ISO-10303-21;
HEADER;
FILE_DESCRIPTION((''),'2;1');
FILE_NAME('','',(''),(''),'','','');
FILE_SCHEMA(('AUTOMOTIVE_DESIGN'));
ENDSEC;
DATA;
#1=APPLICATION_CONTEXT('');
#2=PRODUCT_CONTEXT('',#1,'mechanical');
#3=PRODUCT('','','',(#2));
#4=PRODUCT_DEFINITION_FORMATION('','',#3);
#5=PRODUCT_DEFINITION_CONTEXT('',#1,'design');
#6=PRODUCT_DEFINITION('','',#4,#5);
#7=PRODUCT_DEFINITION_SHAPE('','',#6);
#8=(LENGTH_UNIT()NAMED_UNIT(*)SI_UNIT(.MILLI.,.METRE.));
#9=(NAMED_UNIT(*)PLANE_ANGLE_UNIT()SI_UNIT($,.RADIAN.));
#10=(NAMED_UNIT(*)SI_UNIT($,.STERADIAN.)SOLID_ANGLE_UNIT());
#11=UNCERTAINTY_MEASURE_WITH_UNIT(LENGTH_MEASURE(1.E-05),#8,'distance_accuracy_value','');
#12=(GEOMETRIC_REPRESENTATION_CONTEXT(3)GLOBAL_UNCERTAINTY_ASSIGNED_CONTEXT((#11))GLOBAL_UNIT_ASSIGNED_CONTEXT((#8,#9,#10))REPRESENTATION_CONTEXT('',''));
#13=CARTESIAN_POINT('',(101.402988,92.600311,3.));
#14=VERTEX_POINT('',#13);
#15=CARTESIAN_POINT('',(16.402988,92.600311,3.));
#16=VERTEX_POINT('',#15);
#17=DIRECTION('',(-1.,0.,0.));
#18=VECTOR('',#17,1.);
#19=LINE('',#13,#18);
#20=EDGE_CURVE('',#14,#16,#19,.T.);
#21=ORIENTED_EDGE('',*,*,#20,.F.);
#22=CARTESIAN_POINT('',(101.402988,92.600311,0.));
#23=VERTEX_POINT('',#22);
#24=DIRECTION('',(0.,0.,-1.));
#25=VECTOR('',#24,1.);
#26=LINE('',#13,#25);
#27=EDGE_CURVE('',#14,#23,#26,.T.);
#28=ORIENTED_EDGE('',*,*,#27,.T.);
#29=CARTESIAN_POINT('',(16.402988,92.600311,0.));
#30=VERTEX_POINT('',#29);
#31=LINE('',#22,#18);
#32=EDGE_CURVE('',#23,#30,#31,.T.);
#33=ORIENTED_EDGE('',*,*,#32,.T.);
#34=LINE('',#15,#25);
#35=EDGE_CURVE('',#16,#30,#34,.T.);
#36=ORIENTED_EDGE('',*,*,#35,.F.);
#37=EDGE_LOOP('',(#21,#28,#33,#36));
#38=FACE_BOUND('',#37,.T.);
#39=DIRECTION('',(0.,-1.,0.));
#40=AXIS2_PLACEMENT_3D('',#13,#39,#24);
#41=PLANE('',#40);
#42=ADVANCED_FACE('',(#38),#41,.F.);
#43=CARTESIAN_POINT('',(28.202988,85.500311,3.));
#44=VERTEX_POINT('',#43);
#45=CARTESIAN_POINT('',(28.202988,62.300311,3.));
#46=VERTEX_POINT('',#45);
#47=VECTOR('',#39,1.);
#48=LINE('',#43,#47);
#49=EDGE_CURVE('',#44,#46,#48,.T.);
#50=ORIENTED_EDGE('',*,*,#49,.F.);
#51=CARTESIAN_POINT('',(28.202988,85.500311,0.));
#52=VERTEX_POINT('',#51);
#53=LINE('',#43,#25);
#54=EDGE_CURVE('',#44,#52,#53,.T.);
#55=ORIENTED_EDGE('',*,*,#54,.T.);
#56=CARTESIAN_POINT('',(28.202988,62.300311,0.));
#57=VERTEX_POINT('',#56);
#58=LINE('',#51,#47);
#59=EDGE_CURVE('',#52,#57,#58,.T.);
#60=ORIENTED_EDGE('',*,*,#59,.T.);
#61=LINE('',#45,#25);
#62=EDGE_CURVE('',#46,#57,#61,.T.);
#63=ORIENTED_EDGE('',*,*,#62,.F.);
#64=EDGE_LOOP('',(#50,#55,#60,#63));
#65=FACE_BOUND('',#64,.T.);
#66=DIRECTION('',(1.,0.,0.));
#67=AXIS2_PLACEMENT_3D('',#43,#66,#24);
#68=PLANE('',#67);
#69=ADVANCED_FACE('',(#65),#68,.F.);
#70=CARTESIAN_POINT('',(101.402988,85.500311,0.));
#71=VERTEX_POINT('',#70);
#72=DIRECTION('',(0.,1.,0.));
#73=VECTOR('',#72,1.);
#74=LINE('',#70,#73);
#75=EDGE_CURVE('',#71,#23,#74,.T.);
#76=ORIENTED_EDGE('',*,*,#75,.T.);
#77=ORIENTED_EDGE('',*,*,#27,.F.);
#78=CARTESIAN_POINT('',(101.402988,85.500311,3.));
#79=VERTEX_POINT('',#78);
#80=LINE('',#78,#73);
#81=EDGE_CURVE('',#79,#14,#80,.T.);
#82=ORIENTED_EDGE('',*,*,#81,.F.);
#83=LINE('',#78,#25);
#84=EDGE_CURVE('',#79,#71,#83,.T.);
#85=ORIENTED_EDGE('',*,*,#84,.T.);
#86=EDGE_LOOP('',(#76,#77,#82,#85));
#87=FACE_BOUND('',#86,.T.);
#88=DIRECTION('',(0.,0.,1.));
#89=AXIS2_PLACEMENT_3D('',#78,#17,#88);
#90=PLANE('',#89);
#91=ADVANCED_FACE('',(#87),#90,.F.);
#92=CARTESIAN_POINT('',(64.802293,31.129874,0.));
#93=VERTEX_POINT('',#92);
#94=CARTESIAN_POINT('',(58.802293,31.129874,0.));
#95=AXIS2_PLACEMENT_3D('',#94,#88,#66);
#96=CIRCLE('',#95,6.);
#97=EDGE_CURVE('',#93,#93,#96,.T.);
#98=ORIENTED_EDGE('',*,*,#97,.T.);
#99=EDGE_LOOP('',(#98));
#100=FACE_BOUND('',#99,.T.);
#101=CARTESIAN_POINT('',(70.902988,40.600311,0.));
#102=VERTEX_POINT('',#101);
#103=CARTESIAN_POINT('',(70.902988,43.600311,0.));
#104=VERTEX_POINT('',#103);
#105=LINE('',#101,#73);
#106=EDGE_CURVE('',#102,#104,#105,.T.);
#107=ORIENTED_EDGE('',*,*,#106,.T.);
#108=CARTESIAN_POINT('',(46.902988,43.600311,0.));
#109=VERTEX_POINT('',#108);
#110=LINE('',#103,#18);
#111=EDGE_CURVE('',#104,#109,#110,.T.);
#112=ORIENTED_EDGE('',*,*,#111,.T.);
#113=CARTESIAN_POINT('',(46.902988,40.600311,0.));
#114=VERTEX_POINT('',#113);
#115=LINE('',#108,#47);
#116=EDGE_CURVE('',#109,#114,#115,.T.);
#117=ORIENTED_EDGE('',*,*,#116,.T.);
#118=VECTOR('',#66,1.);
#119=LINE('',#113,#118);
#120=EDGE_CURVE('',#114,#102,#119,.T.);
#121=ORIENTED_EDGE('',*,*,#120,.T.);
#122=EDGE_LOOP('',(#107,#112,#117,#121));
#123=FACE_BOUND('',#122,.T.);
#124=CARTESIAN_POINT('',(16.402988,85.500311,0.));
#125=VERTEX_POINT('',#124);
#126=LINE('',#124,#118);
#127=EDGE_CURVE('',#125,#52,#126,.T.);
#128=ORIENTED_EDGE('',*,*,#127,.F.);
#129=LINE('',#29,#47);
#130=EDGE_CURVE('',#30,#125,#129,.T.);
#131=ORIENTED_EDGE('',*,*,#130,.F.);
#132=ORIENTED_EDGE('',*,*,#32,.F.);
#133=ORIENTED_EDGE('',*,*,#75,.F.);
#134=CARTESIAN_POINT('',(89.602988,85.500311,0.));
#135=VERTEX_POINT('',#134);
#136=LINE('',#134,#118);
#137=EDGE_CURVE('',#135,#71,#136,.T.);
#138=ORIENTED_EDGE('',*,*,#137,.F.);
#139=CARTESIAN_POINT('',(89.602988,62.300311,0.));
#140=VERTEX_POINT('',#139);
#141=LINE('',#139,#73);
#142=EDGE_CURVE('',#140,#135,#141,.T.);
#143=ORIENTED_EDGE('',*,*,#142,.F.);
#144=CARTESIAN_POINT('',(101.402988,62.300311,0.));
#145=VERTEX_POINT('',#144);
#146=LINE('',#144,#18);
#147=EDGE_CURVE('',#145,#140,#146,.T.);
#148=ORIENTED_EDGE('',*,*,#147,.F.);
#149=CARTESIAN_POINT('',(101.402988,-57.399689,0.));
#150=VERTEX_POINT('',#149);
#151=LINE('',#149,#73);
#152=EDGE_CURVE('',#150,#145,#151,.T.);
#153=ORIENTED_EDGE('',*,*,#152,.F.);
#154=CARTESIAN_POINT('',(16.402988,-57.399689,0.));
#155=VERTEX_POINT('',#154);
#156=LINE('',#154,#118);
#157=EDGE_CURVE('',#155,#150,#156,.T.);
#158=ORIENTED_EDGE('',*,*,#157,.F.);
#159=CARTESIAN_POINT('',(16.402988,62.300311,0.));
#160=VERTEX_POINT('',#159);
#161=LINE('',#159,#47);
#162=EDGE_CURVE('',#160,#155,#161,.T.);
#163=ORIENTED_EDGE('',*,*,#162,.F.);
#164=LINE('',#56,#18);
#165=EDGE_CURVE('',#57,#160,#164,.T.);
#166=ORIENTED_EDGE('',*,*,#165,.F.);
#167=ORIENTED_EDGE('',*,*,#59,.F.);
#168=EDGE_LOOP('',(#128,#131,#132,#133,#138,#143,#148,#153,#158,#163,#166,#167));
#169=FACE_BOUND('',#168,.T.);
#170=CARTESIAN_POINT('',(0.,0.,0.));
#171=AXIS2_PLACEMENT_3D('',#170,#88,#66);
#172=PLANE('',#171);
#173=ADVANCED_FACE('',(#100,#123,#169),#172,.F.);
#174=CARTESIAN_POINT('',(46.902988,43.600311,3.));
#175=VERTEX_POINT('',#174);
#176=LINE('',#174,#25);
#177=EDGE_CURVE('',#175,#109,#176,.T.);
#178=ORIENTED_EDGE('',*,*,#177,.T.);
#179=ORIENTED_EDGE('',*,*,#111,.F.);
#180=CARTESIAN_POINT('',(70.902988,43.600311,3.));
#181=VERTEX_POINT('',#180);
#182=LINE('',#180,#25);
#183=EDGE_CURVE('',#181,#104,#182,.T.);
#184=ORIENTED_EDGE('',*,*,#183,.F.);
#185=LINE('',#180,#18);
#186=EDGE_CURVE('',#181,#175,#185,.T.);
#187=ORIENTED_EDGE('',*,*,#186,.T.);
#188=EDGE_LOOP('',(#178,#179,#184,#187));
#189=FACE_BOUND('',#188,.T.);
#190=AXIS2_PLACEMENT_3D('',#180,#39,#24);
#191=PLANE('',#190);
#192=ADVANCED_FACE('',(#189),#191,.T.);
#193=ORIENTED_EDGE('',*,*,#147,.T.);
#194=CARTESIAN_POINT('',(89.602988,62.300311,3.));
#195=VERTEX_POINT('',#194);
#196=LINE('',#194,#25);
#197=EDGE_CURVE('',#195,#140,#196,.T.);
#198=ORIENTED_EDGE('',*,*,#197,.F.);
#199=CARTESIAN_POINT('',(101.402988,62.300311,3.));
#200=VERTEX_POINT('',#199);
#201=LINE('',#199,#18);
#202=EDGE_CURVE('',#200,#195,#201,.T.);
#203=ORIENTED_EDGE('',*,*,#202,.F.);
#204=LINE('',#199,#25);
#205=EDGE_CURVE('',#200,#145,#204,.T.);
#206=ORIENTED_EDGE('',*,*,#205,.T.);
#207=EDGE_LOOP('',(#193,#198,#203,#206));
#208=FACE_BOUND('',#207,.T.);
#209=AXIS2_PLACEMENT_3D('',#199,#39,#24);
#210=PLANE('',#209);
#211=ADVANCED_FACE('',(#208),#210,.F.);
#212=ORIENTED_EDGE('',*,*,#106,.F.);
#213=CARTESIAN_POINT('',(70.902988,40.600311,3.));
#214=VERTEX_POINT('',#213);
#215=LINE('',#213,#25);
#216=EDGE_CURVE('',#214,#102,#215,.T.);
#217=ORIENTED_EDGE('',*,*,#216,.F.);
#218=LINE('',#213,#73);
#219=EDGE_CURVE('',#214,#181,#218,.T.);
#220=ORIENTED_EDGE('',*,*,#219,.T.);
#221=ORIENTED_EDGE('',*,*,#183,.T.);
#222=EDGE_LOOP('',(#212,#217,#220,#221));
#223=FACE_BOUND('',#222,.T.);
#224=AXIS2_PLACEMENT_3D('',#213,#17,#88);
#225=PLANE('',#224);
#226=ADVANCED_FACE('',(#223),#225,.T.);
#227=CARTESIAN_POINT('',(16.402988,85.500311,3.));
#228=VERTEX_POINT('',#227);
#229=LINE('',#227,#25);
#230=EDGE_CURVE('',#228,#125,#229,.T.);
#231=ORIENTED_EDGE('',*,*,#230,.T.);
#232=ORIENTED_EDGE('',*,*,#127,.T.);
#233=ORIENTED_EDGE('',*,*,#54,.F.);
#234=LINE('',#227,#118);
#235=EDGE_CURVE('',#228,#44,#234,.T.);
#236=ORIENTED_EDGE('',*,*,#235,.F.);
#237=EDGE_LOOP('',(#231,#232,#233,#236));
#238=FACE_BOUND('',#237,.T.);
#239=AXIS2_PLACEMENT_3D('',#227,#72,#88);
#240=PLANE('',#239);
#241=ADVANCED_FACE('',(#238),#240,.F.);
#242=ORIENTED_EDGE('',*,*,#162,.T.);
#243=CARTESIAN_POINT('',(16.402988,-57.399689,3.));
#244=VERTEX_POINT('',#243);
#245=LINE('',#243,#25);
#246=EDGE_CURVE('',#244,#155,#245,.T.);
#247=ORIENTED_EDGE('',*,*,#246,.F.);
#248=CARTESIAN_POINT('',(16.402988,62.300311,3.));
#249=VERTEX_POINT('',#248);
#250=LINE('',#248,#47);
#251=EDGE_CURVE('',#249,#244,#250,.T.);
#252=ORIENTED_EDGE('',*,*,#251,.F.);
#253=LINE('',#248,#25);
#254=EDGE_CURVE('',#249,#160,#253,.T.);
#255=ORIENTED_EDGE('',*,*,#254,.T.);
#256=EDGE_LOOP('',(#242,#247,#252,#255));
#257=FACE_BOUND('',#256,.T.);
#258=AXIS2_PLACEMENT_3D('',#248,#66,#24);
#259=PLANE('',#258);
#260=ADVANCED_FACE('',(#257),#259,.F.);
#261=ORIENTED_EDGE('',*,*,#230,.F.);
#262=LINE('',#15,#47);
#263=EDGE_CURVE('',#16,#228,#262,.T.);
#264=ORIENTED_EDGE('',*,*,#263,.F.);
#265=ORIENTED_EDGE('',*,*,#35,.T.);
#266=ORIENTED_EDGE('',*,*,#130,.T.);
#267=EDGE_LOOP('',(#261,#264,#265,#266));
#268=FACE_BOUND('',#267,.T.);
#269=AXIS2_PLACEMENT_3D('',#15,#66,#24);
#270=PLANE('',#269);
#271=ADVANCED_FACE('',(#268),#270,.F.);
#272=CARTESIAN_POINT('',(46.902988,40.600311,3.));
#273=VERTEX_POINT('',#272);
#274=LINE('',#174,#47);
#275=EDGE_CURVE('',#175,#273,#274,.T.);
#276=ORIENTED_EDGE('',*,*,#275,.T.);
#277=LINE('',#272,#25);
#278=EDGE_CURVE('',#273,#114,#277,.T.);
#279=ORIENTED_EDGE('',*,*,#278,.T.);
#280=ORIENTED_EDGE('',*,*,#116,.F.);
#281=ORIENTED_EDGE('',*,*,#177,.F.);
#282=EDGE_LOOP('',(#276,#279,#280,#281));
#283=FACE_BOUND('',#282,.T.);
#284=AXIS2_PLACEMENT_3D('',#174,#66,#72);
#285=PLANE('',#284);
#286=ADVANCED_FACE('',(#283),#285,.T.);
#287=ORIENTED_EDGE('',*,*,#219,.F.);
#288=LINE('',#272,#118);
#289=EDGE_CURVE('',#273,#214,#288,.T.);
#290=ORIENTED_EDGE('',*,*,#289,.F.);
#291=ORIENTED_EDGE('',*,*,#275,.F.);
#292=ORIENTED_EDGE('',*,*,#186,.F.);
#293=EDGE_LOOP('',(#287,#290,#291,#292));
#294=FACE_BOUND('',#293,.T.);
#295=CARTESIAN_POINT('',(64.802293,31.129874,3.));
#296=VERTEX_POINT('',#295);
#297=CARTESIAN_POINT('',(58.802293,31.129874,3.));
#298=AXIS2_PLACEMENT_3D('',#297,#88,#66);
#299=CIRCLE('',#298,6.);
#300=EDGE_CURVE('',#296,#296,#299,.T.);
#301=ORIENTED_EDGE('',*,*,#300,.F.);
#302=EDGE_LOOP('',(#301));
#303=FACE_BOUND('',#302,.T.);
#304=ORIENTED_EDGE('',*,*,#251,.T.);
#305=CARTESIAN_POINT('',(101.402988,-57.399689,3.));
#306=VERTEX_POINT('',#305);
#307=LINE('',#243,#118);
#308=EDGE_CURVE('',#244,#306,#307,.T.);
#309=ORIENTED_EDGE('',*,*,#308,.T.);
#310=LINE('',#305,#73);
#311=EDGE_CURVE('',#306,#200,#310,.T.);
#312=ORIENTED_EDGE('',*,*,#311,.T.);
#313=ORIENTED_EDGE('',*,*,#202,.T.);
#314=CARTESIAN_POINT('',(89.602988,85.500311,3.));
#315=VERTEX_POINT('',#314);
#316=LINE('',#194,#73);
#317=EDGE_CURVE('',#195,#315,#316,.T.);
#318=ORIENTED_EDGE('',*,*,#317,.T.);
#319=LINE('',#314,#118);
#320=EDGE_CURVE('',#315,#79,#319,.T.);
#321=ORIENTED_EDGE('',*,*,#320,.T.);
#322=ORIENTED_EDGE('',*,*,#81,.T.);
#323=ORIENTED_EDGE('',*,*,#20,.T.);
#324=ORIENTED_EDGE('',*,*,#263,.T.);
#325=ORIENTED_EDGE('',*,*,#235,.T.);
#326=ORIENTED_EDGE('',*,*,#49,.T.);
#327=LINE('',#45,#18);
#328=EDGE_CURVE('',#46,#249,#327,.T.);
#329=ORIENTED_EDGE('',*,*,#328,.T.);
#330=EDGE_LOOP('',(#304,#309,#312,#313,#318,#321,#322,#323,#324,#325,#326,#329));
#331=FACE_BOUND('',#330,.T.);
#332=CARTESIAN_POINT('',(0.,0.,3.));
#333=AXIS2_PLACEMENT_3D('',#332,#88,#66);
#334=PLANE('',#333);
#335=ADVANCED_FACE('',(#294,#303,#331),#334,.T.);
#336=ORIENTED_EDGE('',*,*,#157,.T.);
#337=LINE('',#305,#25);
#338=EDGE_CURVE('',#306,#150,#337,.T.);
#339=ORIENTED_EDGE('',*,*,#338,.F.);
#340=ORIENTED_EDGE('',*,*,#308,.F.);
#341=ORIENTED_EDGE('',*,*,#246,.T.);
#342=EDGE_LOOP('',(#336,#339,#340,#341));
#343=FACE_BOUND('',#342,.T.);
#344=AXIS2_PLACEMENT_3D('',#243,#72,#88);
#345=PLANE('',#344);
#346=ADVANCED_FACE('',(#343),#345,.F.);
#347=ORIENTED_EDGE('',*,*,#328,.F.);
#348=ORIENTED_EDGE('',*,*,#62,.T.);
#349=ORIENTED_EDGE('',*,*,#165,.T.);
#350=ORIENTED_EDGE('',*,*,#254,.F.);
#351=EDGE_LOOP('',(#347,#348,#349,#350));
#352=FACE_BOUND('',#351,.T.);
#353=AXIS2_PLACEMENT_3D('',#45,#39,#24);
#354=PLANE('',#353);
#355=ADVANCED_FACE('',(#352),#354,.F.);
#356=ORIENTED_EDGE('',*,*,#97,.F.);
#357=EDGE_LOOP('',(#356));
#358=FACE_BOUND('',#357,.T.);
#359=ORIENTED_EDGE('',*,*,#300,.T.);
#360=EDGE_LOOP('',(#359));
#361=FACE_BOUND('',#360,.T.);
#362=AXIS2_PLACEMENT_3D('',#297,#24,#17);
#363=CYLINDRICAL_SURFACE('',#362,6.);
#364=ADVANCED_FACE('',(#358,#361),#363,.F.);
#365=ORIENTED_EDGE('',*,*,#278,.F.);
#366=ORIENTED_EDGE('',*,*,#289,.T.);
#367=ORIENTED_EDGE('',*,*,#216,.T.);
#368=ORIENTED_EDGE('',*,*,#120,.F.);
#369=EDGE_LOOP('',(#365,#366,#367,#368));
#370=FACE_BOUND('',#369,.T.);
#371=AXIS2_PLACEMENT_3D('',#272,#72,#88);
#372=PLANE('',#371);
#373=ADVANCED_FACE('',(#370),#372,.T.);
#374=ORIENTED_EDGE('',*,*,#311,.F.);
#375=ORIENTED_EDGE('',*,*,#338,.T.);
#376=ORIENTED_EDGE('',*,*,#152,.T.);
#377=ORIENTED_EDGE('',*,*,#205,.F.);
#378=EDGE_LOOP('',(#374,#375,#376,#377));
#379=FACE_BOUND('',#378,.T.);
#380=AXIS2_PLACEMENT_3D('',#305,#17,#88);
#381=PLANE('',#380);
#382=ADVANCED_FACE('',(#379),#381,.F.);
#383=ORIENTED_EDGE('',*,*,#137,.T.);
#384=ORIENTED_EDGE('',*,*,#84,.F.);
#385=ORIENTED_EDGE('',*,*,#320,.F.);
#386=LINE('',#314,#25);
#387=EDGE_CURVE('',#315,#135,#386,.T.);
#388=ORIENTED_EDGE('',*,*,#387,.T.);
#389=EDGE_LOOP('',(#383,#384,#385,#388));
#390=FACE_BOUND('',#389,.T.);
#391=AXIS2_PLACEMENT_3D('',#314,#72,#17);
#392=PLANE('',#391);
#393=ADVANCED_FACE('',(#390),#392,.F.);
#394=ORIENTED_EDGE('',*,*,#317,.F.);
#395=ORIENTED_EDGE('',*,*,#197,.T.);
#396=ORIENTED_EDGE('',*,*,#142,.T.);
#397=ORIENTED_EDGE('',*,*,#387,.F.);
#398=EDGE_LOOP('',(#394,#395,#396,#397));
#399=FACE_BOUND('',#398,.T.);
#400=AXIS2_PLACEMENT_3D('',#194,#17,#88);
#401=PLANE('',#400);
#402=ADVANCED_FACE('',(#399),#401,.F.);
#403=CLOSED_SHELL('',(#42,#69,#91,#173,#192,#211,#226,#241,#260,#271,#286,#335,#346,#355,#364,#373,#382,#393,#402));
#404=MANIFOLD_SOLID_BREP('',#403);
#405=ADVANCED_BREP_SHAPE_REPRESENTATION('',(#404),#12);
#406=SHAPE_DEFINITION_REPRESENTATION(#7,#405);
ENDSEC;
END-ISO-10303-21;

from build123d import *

# Parameters (mm, degrees)
MODEL_R                 = 6
MODEL_W                 = 24
MODEL_H                 = 3
SALIENTE_EXTRUIR1_DEPTH = 3


with BuildPart() as part:
    # Model → Saliente-Extruir1 (new body)
    with BuildSketch(Plane.XY):
        Polygon((16.40298836, 92.600311204), (16.40298836, 85.500311204), (28.20298836, 85.500311204), (28.20298836, 62.300311204), (16.40298836, 62.300311204), (16.40298836, -57.399688796), (101.40298836, -57.399688796), (101.40298836, 62.300311204), (89.60298836, 62.300311204), (89.60298836, 85.500311204), (101.40298836, 85.500311204), (101.40298836, 92.600311204), align=None)
        with Locations((58.802292593, 31.129874196)):
            Circle(MODEL_R, mode=Mode.SUBTRACT)
        with Locations((58.90298836, 42.100311204)):
            Rectangle(MODEL_W, MODEL_H, mode=Mode.SUBTRACT)
    extrude(amount=SALIENTE_EXTRUIR1_DEPTH)


solid = part.part
